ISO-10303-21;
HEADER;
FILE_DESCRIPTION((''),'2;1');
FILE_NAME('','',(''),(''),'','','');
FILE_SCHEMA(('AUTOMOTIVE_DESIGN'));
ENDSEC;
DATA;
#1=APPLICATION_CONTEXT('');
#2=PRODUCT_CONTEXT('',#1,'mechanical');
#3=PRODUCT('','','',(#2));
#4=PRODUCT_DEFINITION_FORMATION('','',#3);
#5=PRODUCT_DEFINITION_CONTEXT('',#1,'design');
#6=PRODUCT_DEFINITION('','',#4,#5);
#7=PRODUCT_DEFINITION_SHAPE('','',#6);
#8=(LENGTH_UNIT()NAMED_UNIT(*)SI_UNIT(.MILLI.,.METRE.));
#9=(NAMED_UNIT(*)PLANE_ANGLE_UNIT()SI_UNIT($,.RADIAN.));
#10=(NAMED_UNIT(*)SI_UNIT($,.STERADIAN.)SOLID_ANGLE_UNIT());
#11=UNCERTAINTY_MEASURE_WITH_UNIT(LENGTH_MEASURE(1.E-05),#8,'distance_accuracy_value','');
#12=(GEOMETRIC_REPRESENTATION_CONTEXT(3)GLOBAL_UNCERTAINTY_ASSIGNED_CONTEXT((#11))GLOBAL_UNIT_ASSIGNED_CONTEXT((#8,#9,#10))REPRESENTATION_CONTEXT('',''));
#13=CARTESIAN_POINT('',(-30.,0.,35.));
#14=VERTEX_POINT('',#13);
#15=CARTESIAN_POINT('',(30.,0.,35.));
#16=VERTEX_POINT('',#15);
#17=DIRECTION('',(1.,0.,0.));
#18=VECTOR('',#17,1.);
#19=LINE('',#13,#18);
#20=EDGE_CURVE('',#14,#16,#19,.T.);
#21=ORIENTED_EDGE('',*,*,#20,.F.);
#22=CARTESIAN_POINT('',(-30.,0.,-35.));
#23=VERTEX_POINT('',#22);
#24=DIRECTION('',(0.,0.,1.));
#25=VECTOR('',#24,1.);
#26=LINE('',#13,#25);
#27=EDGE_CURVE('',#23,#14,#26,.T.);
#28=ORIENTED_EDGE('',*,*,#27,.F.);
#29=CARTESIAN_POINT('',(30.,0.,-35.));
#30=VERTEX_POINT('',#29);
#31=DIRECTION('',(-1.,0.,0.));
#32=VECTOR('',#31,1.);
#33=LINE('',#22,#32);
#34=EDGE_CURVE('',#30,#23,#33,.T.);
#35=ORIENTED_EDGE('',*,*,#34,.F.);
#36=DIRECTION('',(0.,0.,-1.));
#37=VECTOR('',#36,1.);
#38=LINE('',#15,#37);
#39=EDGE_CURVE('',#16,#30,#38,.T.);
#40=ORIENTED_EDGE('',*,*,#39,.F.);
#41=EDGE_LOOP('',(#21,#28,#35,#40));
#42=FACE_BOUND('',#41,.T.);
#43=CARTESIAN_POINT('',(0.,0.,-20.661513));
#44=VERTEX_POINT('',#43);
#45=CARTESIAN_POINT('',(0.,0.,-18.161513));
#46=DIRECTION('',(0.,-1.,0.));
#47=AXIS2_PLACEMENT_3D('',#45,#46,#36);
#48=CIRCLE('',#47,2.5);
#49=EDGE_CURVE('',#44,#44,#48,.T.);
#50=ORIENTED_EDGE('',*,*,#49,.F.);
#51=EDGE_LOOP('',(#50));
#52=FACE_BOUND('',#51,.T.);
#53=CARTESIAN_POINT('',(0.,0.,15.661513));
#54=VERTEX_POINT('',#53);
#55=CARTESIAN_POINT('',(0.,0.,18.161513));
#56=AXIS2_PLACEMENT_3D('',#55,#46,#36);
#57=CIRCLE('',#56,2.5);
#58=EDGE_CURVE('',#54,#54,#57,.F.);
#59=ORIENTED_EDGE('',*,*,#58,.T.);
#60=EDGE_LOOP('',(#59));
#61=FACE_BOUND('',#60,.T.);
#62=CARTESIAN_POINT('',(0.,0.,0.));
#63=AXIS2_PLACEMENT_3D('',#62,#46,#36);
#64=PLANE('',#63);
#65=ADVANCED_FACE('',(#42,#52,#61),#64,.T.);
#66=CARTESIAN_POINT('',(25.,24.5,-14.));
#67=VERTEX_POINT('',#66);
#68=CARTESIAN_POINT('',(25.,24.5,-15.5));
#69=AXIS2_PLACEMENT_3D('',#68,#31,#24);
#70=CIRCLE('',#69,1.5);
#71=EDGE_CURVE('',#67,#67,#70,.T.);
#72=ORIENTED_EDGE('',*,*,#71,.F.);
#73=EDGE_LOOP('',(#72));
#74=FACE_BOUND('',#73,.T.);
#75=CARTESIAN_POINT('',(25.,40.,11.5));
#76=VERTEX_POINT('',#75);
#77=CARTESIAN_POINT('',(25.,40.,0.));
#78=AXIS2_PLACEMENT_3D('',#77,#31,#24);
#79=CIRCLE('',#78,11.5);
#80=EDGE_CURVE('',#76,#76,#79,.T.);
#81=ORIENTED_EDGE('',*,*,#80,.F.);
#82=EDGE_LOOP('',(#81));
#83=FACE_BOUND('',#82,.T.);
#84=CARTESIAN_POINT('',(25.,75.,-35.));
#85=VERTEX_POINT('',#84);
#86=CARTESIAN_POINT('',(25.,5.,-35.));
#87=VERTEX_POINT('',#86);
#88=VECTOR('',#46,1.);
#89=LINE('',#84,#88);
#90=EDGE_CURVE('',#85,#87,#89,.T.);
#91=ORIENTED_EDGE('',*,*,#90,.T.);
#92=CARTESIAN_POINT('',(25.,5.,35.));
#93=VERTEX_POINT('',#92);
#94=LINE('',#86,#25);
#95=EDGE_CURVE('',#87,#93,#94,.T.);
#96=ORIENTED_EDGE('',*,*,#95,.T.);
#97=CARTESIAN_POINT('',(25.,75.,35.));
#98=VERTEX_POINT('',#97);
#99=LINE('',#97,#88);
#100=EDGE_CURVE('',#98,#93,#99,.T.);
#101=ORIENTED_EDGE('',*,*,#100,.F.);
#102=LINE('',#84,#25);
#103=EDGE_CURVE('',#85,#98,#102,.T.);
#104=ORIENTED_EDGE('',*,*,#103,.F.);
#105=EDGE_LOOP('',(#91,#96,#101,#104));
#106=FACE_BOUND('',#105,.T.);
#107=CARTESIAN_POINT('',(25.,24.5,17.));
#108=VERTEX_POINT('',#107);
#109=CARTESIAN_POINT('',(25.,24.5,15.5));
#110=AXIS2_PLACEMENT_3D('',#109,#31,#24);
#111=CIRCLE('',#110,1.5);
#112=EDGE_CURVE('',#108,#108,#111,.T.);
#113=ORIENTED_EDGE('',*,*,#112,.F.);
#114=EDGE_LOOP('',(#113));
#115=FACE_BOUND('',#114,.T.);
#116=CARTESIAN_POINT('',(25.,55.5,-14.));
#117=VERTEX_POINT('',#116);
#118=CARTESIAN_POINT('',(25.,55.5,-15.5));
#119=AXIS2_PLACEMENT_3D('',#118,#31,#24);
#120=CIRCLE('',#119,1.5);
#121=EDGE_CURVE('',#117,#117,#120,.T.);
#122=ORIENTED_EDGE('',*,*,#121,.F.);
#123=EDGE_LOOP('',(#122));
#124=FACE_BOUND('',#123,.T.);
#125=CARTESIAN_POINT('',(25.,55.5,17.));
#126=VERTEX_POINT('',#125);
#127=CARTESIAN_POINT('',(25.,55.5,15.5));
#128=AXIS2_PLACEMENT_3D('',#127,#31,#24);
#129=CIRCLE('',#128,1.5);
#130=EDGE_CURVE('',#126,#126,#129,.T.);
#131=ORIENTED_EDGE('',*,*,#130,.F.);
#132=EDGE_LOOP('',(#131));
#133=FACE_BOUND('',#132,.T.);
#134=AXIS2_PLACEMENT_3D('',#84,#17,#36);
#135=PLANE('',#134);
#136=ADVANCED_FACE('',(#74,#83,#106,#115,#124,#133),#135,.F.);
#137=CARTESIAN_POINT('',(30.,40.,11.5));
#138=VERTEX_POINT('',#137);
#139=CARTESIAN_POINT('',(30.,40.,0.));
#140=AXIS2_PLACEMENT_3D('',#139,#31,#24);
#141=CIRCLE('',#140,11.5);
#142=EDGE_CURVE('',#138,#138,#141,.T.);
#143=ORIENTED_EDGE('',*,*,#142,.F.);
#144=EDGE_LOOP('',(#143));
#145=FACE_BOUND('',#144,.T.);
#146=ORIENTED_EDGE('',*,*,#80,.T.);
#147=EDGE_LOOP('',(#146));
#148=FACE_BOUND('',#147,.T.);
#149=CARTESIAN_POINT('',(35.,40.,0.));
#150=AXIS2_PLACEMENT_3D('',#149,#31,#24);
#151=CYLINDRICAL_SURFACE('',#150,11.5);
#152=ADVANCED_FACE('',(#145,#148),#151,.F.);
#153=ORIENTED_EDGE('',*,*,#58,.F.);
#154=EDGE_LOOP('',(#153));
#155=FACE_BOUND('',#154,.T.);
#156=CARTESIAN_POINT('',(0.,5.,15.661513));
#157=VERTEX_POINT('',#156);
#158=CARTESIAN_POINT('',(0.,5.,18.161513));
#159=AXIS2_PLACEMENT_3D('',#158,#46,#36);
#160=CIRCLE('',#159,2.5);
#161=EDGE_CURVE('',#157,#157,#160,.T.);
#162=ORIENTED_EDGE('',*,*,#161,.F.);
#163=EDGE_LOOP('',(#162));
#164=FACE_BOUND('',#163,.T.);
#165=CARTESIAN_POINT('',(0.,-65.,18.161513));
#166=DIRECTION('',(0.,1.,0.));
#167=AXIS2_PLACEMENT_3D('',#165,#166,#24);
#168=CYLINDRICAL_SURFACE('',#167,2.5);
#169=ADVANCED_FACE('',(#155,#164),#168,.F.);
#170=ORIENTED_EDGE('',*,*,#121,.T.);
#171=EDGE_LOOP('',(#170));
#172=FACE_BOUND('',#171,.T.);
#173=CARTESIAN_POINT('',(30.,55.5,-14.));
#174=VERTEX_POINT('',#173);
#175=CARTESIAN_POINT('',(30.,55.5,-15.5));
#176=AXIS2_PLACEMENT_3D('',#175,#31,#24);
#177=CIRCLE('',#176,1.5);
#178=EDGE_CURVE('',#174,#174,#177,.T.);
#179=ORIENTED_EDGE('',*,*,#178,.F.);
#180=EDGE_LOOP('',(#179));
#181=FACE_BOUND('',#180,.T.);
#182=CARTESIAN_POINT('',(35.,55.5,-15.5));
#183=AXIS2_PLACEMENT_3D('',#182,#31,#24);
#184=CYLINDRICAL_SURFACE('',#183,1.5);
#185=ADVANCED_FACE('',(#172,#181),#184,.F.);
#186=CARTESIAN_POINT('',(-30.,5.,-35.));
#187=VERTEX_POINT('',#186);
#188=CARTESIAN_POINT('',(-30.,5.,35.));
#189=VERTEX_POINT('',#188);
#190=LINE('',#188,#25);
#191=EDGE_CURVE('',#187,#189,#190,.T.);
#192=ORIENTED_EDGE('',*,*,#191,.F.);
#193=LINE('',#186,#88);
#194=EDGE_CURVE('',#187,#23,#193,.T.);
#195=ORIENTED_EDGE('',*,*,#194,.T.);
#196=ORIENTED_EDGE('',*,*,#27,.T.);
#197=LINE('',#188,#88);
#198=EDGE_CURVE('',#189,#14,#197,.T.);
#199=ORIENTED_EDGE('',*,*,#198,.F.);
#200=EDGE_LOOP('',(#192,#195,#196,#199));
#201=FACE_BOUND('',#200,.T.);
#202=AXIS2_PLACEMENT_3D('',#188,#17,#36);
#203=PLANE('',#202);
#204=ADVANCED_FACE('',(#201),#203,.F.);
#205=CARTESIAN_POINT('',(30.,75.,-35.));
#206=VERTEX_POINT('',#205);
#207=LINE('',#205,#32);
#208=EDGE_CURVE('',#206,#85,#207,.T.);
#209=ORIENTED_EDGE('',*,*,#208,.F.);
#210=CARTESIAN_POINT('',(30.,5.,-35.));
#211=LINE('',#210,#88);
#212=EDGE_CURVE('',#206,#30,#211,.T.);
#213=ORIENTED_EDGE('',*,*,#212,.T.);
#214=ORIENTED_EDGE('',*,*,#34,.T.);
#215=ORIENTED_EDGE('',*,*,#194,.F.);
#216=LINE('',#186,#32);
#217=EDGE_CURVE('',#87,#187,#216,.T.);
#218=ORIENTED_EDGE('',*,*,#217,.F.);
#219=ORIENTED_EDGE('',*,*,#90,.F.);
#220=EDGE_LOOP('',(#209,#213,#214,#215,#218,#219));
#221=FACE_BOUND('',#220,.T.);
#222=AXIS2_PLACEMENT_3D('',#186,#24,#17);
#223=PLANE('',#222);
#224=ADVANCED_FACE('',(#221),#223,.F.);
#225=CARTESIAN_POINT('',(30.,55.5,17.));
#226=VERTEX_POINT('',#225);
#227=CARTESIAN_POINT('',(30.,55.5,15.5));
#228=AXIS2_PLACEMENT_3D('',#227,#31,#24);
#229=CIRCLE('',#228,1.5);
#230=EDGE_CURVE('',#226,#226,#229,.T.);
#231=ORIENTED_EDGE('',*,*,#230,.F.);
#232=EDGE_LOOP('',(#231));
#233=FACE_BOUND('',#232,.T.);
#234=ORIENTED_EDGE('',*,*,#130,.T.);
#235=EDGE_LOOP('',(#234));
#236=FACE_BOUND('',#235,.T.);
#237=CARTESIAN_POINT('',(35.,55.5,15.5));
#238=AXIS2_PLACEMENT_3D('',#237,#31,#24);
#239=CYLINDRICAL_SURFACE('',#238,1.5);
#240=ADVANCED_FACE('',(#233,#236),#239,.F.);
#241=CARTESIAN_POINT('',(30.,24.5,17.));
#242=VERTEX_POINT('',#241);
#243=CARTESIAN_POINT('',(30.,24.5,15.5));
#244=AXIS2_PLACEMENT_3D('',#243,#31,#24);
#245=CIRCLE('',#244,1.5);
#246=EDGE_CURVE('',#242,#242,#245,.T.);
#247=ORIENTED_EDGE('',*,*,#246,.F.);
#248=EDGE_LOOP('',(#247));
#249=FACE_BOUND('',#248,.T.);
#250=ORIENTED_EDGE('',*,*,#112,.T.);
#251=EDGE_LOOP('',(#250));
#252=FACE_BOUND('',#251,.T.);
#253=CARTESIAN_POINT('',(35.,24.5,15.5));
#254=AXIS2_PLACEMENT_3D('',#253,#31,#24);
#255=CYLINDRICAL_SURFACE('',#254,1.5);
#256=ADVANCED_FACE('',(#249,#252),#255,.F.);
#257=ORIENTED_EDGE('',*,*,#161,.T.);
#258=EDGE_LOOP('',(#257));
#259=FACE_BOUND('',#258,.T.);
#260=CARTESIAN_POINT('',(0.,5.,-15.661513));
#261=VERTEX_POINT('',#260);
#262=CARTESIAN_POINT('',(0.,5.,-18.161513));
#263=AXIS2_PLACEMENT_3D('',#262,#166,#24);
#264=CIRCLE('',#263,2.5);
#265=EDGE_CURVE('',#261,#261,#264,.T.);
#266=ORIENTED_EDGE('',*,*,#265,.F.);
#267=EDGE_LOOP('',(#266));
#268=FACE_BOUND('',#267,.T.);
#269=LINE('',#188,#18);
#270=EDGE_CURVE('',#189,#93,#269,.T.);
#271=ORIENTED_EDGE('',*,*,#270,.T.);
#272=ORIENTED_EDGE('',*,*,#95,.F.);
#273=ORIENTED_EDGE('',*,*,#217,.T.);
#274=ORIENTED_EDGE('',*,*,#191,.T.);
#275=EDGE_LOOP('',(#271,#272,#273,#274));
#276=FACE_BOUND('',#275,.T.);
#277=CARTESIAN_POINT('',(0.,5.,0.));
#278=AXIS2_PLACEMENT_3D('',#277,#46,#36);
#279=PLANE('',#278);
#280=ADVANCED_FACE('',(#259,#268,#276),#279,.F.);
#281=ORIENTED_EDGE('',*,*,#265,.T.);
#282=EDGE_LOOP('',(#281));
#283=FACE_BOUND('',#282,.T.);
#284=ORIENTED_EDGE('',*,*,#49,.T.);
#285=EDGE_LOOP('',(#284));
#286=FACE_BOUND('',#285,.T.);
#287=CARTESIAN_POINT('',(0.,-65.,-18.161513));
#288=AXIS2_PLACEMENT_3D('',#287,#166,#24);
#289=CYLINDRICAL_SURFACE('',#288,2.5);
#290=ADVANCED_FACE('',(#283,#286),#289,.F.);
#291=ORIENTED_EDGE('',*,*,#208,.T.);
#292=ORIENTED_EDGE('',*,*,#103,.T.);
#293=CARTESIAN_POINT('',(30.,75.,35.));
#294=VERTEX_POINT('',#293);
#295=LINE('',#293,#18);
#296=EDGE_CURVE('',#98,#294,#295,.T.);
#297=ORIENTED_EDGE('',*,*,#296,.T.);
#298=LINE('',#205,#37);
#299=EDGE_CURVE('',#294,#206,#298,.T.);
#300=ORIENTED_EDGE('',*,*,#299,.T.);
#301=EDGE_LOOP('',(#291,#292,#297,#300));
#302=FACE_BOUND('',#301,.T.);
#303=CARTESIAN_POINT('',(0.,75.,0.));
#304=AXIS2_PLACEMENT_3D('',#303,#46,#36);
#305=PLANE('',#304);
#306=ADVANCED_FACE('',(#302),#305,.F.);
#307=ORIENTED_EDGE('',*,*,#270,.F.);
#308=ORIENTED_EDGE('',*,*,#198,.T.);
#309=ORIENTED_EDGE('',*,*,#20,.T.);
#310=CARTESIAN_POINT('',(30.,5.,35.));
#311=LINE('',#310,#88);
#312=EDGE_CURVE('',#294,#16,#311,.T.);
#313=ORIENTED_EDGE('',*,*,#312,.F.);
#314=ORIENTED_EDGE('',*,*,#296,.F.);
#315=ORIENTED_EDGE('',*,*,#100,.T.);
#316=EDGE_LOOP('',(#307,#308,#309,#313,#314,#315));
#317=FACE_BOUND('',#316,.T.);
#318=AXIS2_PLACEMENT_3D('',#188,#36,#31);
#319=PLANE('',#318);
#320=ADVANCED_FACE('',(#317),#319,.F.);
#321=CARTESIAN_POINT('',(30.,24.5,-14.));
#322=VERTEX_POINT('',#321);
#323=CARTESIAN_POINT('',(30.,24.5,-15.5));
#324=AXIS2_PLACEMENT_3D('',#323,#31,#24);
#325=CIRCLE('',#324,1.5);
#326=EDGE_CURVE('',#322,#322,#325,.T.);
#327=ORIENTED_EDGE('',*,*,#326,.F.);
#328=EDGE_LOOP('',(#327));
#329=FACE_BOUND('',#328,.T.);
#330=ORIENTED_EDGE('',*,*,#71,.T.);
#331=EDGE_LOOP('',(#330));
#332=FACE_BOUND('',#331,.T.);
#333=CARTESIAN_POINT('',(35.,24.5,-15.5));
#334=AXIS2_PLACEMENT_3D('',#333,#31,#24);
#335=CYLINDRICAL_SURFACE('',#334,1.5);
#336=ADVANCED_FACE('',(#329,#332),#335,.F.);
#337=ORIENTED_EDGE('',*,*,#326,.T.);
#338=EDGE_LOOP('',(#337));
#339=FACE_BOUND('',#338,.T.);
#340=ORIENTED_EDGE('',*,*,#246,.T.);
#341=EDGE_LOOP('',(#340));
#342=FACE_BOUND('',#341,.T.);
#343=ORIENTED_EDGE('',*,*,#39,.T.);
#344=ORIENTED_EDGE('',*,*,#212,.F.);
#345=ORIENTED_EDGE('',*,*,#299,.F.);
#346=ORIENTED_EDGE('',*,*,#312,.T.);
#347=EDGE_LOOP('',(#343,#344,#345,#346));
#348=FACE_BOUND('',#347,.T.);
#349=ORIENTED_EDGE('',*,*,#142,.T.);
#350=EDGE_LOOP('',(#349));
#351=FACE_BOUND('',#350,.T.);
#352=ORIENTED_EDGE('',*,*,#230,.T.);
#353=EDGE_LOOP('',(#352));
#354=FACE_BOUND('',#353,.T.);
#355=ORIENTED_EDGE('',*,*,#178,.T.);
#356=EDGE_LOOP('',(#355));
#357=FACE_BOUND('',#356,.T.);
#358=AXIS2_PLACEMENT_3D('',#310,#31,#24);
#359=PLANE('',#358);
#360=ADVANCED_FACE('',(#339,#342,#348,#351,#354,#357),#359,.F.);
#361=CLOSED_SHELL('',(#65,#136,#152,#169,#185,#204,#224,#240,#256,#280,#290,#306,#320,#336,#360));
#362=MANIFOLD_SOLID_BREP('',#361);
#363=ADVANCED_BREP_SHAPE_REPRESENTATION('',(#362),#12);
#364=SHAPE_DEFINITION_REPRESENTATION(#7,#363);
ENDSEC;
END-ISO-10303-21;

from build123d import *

# Parameters (mm, degrees)
SKETCH1_W           = 60
SKETCH1_H           = 70
BOSS_EXTRUDE1_DEPTH = 5
SKETCH2_W           = 5
SKETCH2_H           = 70
BOSS_EXTRUDE2_DEPTH = 70
SKETCH3_R           = 2.5
CUT_EXTRUDE1_DEPTH  = 70
SKETCH4_R           = 11.5
CUT_EXTRUDE2_DEPTH  = 10
SKETCH5_R           = 1.5
CUT_EXTRUDE3_DEPTH  = 10


with BuildPart() as part:
    # Sketch1 → Boss-Extrude1 (new body)
    with BuildSketch(Plane(origin=(0, 0, 0), x_dir=(1, 0, 0), z_dir=(0, 1, 0))):
        Rectangle(SKETCH1_W, SKETCH1_H)
    extrude(amount=BOSS_EXTRUDE1_DEPTH)

    # Sketch2 → Boss-Extrude2 (add)
    with BuildSketch(Plane(origin=(0, 5, 0), x_dir=(1, 0, 0), z_dir=(0, 1, 0))):
        with Locations((27.5, 0)):
            Rectangle(SKETCH2_W, SKETCH2_H)
    extrude(amount=BOSS_EXTRUDE2_DEPTH)

    # Sketch3 → Cut-Extrude1 (cut)
    with BuildSketch(Plane(origin=(0, 5, 0), x_dir=(1, 0, 0), z_dir=(0, 1, 0))):
        with Locations(Location((0, 18.161512971, 0), (0, 0, 270))):
            Circle(SKETCH3_R)
        with Locations(Location((0, -18.161512971, 0), (0, 0, 90))):
            Circle(SKETCH3_R)
    extrude(amount=-CUT_EXTRUDE1_DEPTH, mode=Mode.SUBTRACT)

    # Sketch4 → Cut-Extrude2 (cut)
    with BuildSketch(Plane.ZY.offset(-25)):
        with Locations((0, 40)):
            Circle(SKETCH4_R)
    extrude(amount=-CUT_EXTRUDE2_DEPTH, mode=Mode.SUBTRACT)

    # Sketch5 → Cut-Extrude3 (cut)
    with BuildSketch(Plane.ZY.offset(-25)):
        with Locations((-15.5, 55.5)):
            Circle(SKETCH5_R)
        with Locations((15.5, 55.5)):
            Circle(SKETCH5_R)
        with Locations((15.5, 24.5)):
            Circle(SKETCH5_R)
        with Locations((-15.5, 24.5)):
            Circle(SKETCH5_R)
    extrude(amount=-CUT_EXTRUDE3_DEPTH, mode=Mode.SUBTRACT)


solid = part.part
